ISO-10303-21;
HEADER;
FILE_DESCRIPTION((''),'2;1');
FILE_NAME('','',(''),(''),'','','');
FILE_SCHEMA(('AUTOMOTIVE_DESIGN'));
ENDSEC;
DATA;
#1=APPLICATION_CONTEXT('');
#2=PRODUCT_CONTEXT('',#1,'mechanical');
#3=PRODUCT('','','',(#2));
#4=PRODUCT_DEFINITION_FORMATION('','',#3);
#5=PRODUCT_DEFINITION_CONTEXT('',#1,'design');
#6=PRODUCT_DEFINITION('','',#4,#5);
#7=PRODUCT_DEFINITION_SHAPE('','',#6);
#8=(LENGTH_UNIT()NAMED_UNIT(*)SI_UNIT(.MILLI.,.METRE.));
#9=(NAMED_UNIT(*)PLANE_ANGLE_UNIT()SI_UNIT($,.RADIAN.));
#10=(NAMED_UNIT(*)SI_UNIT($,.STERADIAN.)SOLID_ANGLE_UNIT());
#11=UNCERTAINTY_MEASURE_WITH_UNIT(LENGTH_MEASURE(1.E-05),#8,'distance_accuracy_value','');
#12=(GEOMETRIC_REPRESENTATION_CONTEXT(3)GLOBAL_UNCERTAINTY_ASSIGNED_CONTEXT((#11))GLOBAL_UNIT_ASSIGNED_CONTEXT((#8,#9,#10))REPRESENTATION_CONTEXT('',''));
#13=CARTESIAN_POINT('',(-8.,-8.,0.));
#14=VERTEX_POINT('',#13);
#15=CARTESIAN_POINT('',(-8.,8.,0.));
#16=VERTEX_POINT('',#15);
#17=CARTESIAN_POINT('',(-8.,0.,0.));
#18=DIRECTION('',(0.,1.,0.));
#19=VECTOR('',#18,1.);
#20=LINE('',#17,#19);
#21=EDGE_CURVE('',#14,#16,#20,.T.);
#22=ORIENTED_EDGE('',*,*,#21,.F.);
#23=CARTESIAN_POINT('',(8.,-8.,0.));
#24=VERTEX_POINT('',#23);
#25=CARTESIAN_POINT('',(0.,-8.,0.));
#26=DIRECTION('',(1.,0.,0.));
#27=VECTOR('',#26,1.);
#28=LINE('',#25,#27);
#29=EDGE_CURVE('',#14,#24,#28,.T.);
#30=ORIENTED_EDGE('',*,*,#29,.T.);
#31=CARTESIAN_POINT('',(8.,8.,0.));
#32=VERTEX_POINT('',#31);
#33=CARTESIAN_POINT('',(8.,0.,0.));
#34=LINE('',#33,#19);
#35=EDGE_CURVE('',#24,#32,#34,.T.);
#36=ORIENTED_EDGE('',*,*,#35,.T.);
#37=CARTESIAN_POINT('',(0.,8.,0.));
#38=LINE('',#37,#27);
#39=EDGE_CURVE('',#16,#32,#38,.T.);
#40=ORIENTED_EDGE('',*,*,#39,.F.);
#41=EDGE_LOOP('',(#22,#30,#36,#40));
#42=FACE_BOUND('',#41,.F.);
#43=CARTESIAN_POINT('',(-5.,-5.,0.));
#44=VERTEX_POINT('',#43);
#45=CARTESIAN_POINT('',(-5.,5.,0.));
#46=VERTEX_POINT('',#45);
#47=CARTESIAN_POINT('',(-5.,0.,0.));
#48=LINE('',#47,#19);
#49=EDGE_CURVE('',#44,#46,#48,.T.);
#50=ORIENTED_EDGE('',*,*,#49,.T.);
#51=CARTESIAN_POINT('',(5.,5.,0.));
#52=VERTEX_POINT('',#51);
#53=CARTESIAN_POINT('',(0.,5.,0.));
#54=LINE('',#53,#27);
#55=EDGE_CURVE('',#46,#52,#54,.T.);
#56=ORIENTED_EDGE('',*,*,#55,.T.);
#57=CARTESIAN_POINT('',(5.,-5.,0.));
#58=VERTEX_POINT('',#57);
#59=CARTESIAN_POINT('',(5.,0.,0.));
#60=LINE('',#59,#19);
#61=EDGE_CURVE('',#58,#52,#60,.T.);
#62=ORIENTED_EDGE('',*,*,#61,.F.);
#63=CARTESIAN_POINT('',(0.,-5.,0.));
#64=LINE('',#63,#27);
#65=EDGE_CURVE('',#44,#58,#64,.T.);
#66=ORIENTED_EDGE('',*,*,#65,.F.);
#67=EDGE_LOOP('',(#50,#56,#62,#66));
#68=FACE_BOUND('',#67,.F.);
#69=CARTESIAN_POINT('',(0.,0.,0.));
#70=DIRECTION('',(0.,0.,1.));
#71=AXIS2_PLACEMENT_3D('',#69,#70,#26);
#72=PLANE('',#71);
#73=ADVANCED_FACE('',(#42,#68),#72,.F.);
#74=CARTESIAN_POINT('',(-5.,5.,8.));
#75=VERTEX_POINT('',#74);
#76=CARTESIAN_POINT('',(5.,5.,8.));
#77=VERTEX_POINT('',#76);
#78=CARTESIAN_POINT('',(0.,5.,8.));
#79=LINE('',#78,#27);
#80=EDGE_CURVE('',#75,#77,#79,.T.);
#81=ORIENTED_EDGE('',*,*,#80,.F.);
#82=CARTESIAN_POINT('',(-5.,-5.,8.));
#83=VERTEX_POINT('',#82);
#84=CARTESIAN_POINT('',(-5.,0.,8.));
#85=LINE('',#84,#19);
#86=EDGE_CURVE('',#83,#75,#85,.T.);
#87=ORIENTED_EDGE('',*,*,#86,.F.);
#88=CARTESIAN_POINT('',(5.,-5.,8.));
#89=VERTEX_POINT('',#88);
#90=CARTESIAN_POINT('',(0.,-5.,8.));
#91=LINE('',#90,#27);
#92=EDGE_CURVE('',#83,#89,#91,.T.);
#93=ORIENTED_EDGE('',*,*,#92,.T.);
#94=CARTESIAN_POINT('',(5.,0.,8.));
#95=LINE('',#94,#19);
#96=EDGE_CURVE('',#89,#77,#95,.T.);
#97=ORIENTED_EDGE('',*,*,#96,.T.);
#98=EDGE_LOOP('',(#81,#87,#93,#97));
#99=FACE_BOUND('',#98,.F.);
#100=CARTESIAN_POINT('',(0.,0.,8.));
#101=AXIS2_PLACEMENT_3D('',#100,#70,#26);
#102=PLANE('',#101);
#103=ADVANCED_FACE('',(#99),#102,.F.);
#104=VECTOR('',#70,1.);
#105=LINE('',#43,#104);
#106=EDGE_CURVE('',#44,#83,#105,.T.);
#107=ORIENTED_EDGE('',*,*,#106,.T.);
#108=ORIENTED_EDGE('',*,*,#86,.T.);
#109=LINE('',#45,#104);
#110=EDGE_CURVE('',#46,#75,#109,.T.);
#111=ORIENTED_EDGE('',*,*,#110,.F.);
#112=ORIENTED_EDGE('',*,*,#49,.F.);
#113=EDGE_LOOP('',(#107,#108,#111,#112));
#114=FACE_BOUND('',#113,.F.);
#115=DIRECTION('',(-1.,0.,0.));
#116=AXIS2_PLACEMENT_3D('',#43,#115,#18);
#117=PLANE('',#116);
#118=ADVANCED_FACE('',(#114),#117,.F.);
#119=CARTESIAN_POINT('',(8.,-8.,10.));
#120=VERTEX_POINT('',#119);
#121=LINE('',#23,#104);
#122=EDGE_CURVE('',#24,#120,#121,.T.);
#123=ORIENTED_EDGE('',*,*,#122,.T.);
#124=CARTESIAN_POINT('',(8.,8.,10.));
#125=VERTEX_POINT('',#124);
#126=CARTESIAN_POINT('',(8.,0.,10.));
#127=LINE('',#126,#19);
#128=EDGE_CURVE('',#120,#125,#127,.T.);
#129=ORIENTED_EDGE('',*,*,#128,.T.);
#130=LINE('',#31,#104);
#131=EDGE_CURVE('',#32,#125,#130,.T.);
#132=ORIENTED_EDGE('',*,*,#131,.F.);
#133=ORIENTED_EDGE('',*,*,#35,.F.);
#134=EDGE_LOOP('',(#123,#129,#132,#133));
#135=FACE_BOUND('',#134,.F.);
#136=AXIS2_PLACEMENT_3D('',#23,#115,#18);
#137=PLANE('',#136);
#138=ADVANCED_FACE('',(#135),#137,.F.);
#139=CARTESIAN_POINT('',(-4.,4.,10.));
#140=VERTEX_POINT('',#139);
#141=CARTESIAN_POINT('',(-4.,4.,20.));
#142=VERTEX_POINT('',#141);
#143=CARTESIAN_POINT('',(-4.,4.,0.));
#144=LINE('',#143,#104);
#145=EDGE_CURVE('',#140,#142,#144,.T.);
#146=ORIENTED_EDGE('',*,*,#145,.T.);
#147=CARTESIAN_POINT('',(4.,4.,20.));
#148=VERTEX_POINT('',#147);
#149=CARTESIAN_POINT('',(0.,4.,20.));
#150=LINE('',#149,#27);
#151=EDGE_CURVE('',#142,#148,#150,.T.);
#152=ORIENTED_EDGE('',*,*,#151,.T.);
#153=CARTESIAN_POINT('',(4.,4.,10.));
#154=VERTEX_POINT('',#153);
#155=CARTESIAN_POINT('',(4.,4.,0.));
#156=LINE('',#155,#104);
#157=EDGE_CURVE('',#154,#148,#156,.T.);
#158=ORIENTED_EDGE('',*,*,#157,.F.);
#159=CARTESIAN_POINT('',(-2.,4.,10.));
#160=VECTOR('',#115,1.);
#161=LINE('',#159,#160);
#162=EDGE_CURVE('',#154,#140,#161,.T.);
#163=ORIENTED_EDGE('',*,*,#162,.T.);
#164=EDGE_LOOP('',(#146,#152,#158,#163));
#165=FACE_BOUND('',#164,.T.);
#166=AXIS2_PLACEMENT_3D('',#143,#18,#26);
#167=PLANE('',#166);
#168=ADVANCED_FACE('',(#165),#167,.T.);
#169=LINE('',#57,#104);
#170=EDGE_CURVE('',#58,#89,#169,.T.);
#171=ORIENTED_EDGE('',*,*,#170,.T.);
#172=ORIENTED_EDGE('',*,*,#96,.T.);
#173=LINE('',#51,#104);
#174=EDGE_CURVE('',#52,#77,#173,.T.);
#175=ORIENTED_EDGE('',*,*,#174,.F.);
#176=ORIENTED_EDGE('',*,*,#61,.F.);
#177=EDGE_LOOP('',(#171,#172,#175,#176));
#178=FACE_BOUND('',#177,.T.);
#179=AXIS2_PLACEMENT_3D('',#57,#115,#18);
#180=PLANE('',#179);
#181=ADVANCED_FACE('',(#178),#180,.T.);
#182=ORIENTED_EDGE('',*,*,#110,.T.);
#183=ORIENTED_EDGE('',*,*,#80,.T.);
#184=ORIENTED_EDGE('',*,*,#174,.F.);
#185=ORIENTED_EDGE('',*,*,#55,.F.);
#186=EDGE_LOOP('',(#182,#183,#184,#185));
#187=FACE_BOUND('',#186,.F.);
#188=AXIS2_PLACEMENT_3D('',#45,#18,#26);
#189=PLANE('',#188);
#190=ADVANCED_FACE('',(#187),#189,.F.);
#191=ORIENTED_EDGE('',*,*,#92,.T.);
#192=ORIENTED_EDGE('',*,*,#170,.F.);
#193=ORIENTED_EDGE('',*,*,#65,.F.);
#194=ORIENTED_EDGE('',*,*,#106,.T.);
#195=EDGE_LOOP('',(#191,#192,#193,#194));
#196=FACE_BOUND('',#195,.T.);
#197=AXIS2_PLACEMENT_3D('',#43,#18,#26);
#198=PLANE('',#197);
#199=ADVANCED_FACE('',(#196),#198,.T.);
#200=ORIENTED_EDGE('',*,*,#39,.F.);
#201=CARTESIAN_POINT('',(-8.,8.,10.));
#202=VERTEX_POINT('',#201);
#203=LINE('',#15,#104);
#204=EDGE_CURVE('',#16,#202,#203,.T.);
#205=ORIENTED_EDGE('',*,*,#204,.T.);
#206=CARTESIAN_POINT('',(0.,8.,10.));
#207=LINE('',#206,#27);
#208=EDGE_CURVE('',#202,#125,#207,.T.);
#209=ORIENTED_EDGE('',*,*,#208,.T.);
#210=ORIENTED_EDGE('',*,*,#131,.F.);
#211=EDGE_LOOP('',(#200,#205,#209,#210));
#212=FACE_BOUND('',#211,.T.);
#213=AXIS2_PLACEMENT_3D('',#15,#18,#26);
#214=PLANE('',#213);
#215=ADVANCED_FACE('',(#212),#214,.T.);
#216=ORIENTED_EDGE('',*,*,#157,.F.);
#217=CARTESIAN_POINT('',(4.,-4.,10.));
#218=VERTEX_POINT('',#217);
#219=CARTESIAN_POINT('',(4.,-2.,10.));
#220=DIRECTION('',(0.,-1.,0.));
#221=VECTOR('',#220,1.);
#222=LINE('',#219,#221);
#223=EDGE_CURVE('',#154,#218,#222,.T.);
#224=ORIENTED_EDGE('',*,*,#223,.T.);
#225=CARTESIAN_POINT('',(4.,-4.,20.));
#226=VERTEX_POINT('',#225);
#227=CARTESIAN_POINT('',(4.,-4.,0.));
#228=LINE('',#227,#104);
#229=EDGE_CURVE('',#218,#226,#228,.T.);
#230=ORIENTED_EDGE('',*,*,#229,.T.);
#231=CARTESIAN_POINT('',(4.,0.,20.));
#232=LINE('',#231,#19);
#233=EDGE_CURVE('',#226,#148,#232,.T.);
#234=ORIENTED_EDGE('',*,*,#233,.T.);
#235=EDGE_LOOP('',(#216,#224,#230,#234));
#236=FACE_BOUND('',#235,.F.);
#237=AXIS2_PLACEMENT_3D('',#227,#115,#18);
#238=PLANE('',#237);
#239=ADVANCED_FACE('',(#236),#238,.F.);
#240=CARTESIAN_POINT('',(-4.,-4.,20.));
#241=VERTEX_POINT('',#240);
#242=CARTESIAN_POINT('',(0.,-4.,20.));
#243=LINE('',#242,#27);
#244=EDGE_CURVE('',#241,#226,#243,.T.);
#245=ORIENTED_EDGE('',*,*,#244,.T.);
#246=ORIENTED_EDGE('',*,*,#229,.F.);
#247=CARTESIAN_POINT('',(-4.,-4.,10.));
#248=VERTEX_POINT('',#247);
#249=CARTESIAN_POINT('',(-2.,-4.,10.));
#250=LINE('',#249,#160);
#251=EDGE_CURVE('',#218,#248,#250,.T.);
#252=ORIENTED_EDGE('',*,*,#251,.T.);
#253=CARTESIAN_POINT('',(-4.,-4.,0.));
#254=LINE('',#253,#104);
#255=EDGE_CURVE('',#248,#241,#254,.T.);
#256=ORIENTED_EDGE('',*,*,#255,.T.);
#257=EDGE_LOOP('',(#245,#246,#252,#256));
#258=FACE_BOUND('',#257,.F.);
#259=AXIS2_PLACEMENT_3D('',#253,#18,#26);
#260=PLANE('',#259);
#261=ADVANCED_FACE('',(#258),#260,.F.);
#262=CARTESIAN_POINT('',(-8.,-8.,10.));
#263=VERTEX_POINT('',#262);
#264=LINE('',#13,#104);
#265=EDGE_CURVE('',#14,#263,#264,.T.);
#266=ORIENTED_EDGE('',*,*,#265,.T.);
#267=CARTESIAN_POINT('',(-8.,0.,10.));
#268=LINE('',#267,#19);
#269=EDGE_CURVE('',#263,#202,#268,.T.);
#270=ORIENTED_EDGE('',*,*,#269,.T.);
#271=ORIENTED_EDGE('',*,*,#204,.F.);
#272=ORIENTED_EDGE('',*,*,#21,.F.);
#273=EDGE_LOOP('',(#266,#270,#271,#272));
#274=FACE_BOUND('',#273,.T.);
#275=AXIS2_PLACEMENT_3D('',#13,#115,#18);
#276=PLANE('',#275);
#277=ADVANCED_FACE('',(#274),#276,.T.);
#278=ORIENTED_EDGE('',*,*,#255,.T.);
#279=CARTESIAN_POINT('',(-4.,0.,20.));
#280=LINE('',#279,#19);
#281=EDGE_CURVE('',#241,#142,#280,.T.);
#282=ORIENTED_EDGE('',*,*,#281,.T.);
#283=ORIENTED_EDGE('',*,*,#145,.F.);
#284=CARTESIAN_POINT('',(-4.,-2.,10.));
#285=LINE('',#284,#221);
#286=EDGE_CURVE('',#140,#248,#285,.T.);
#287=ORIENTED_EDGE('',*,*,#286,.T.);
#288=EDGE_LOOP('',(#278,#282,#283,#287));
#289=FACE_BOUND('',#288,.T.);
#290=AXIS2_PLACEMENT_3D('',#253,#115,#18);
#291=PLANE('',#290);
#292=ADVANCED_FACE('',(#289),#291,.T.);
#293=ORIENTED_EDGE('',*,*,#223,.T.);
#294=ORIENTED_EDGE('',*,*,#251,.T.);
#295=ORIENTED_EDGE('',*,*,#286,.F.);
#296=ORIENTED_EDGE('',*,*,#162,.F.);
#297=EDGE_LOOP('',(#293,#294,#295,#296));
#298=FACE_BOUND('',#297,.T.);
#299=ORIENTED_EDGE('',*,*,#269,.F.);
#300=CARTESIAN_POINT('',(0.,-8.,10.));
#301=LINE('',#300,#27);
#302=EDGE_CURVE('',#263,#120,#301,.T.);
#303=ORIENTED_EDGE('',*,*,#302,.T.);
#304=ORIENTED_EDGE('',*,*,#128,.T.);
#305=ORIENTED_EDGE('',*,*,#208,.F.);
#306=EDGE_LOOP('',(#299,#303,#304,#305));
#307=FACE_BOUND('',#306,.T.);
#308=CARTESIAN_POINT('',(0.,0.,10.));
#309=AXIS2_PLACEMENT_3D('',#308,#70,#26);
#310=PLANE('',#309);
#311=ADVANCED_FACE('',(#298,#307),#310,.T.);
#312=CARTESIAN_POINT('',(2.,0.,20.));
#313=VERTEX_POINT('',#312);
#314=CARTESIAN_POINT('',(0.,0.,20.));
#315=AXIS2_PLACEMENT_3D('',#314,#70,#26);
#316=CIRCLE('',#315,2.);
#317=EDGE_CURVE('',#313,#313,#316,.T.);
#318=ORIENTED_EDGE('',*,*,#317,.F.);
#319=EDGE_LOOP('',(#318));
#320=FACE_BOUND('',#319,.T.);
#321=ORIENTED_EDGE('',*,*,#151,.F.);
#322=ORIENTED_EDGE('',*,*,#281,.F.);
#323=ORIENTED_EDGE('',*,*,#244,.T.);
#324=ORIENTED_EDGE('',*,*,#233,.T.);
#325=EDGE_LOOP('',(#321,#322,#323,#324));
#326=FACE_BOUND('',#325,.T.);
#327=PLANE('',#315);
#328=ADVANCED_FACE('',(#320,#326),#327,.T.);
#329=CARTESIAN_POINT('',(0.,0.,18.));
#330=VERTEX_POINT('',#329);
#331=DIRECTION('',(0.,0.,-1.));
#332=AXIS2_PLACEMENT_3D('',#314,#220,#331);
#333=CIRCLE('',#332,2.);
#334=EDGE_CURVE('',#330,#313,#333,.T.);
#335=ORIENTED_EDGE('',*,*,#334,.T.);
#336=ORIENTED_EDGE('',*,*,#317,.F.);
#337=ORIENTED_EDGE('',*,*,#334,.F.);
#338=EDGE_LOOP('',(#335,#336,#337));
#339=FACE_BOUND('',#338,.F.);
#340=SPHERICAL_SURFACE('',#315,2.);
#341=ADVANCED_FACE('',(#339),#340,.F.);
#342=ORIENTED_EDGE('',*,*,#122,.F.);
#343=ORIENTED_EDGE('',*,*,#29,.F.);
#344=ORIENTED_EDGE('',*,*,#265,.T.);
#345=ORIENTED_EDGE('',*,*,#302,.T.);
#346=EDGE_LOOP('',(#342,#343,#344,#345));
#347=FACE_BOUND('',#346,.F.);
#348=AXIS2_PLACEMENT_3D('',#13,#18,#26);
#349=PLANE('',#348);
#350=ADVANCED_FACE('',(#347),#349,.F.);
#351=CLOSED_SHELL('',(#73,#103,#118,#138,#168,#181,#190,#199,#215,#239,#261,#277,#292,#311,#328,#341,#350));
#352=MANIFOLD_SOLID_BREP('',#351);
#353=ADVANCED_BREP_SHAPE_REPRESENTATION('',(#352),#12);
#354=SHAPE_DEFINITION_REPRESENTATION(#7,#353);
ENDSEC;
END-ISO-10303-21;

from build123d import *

# Parameters (mm, degrees)
BOX003_W     = 10
BOX003_H     = 10
BOX003_DEPTH = 8
BOX002_W     = 8
BOX002_H     = 8
BOX002_DEPTH = 20
BOX_W        = 16
BOX_H        = 16
BOX_DEPTH    = 10


with BuildPart() as cube001:
    # Box003 → Box003 (new body)
    with BuildSketch(Plane(origin=(-5, -5, 0), x_dir=(1, 0, 0), z_dir=(0, 0, 1))):
        with Locations((5, 5)):
            Rectangle(BOX003_W, BOX003_H)
    extrude(amount=BOX003_DEPTH)


with BuildPart() as body:
    # Box002 → Box002 (join)
    with BuildSketch(Plane(origin=(-4, -4, 0), x_dir=(1, 0, 0), z_dir=(0, 0, 1))):
        with Locations((4, 4)):
            Rectangle(BOX002_W, BOX002_H)
    extrude(amount=BOX002_DEPTH)

    # Sphere → Sphere (revolve, cut)
    with BuildSketch(Plane(origin=(0, 0, 20), x_dir=(1, 0, 0), z_dir=(0, -1, 0))):
        with BuildLine():
            ThreePointArc((0, -2), (2, 0), (0, 2))
            Line((0, 2), (0, -2))
        make_face()
    revolve(axis=Axis((0, 0, 20), (0, 0, 1)), mode=Mode.SUBTRACT)


with BuildPart() as cut:
    # Box → Box (new body)
    with BuildSketch(Plane(origin=(-8, -8, 0), x_dir=(1, 0, 0), z_dir=(0, 0, 1))):
        with Locations((8, 8)):
            Rectangle(BOX_W, BOX_H)
    extrude(amount=BOX_DEPTH)

    # Fusion: union Body
    add(body.part)

    # Cut: cut Cube001
    add(cube001.part, mode=Mode.SUBTRACT)


solid = cut.part
